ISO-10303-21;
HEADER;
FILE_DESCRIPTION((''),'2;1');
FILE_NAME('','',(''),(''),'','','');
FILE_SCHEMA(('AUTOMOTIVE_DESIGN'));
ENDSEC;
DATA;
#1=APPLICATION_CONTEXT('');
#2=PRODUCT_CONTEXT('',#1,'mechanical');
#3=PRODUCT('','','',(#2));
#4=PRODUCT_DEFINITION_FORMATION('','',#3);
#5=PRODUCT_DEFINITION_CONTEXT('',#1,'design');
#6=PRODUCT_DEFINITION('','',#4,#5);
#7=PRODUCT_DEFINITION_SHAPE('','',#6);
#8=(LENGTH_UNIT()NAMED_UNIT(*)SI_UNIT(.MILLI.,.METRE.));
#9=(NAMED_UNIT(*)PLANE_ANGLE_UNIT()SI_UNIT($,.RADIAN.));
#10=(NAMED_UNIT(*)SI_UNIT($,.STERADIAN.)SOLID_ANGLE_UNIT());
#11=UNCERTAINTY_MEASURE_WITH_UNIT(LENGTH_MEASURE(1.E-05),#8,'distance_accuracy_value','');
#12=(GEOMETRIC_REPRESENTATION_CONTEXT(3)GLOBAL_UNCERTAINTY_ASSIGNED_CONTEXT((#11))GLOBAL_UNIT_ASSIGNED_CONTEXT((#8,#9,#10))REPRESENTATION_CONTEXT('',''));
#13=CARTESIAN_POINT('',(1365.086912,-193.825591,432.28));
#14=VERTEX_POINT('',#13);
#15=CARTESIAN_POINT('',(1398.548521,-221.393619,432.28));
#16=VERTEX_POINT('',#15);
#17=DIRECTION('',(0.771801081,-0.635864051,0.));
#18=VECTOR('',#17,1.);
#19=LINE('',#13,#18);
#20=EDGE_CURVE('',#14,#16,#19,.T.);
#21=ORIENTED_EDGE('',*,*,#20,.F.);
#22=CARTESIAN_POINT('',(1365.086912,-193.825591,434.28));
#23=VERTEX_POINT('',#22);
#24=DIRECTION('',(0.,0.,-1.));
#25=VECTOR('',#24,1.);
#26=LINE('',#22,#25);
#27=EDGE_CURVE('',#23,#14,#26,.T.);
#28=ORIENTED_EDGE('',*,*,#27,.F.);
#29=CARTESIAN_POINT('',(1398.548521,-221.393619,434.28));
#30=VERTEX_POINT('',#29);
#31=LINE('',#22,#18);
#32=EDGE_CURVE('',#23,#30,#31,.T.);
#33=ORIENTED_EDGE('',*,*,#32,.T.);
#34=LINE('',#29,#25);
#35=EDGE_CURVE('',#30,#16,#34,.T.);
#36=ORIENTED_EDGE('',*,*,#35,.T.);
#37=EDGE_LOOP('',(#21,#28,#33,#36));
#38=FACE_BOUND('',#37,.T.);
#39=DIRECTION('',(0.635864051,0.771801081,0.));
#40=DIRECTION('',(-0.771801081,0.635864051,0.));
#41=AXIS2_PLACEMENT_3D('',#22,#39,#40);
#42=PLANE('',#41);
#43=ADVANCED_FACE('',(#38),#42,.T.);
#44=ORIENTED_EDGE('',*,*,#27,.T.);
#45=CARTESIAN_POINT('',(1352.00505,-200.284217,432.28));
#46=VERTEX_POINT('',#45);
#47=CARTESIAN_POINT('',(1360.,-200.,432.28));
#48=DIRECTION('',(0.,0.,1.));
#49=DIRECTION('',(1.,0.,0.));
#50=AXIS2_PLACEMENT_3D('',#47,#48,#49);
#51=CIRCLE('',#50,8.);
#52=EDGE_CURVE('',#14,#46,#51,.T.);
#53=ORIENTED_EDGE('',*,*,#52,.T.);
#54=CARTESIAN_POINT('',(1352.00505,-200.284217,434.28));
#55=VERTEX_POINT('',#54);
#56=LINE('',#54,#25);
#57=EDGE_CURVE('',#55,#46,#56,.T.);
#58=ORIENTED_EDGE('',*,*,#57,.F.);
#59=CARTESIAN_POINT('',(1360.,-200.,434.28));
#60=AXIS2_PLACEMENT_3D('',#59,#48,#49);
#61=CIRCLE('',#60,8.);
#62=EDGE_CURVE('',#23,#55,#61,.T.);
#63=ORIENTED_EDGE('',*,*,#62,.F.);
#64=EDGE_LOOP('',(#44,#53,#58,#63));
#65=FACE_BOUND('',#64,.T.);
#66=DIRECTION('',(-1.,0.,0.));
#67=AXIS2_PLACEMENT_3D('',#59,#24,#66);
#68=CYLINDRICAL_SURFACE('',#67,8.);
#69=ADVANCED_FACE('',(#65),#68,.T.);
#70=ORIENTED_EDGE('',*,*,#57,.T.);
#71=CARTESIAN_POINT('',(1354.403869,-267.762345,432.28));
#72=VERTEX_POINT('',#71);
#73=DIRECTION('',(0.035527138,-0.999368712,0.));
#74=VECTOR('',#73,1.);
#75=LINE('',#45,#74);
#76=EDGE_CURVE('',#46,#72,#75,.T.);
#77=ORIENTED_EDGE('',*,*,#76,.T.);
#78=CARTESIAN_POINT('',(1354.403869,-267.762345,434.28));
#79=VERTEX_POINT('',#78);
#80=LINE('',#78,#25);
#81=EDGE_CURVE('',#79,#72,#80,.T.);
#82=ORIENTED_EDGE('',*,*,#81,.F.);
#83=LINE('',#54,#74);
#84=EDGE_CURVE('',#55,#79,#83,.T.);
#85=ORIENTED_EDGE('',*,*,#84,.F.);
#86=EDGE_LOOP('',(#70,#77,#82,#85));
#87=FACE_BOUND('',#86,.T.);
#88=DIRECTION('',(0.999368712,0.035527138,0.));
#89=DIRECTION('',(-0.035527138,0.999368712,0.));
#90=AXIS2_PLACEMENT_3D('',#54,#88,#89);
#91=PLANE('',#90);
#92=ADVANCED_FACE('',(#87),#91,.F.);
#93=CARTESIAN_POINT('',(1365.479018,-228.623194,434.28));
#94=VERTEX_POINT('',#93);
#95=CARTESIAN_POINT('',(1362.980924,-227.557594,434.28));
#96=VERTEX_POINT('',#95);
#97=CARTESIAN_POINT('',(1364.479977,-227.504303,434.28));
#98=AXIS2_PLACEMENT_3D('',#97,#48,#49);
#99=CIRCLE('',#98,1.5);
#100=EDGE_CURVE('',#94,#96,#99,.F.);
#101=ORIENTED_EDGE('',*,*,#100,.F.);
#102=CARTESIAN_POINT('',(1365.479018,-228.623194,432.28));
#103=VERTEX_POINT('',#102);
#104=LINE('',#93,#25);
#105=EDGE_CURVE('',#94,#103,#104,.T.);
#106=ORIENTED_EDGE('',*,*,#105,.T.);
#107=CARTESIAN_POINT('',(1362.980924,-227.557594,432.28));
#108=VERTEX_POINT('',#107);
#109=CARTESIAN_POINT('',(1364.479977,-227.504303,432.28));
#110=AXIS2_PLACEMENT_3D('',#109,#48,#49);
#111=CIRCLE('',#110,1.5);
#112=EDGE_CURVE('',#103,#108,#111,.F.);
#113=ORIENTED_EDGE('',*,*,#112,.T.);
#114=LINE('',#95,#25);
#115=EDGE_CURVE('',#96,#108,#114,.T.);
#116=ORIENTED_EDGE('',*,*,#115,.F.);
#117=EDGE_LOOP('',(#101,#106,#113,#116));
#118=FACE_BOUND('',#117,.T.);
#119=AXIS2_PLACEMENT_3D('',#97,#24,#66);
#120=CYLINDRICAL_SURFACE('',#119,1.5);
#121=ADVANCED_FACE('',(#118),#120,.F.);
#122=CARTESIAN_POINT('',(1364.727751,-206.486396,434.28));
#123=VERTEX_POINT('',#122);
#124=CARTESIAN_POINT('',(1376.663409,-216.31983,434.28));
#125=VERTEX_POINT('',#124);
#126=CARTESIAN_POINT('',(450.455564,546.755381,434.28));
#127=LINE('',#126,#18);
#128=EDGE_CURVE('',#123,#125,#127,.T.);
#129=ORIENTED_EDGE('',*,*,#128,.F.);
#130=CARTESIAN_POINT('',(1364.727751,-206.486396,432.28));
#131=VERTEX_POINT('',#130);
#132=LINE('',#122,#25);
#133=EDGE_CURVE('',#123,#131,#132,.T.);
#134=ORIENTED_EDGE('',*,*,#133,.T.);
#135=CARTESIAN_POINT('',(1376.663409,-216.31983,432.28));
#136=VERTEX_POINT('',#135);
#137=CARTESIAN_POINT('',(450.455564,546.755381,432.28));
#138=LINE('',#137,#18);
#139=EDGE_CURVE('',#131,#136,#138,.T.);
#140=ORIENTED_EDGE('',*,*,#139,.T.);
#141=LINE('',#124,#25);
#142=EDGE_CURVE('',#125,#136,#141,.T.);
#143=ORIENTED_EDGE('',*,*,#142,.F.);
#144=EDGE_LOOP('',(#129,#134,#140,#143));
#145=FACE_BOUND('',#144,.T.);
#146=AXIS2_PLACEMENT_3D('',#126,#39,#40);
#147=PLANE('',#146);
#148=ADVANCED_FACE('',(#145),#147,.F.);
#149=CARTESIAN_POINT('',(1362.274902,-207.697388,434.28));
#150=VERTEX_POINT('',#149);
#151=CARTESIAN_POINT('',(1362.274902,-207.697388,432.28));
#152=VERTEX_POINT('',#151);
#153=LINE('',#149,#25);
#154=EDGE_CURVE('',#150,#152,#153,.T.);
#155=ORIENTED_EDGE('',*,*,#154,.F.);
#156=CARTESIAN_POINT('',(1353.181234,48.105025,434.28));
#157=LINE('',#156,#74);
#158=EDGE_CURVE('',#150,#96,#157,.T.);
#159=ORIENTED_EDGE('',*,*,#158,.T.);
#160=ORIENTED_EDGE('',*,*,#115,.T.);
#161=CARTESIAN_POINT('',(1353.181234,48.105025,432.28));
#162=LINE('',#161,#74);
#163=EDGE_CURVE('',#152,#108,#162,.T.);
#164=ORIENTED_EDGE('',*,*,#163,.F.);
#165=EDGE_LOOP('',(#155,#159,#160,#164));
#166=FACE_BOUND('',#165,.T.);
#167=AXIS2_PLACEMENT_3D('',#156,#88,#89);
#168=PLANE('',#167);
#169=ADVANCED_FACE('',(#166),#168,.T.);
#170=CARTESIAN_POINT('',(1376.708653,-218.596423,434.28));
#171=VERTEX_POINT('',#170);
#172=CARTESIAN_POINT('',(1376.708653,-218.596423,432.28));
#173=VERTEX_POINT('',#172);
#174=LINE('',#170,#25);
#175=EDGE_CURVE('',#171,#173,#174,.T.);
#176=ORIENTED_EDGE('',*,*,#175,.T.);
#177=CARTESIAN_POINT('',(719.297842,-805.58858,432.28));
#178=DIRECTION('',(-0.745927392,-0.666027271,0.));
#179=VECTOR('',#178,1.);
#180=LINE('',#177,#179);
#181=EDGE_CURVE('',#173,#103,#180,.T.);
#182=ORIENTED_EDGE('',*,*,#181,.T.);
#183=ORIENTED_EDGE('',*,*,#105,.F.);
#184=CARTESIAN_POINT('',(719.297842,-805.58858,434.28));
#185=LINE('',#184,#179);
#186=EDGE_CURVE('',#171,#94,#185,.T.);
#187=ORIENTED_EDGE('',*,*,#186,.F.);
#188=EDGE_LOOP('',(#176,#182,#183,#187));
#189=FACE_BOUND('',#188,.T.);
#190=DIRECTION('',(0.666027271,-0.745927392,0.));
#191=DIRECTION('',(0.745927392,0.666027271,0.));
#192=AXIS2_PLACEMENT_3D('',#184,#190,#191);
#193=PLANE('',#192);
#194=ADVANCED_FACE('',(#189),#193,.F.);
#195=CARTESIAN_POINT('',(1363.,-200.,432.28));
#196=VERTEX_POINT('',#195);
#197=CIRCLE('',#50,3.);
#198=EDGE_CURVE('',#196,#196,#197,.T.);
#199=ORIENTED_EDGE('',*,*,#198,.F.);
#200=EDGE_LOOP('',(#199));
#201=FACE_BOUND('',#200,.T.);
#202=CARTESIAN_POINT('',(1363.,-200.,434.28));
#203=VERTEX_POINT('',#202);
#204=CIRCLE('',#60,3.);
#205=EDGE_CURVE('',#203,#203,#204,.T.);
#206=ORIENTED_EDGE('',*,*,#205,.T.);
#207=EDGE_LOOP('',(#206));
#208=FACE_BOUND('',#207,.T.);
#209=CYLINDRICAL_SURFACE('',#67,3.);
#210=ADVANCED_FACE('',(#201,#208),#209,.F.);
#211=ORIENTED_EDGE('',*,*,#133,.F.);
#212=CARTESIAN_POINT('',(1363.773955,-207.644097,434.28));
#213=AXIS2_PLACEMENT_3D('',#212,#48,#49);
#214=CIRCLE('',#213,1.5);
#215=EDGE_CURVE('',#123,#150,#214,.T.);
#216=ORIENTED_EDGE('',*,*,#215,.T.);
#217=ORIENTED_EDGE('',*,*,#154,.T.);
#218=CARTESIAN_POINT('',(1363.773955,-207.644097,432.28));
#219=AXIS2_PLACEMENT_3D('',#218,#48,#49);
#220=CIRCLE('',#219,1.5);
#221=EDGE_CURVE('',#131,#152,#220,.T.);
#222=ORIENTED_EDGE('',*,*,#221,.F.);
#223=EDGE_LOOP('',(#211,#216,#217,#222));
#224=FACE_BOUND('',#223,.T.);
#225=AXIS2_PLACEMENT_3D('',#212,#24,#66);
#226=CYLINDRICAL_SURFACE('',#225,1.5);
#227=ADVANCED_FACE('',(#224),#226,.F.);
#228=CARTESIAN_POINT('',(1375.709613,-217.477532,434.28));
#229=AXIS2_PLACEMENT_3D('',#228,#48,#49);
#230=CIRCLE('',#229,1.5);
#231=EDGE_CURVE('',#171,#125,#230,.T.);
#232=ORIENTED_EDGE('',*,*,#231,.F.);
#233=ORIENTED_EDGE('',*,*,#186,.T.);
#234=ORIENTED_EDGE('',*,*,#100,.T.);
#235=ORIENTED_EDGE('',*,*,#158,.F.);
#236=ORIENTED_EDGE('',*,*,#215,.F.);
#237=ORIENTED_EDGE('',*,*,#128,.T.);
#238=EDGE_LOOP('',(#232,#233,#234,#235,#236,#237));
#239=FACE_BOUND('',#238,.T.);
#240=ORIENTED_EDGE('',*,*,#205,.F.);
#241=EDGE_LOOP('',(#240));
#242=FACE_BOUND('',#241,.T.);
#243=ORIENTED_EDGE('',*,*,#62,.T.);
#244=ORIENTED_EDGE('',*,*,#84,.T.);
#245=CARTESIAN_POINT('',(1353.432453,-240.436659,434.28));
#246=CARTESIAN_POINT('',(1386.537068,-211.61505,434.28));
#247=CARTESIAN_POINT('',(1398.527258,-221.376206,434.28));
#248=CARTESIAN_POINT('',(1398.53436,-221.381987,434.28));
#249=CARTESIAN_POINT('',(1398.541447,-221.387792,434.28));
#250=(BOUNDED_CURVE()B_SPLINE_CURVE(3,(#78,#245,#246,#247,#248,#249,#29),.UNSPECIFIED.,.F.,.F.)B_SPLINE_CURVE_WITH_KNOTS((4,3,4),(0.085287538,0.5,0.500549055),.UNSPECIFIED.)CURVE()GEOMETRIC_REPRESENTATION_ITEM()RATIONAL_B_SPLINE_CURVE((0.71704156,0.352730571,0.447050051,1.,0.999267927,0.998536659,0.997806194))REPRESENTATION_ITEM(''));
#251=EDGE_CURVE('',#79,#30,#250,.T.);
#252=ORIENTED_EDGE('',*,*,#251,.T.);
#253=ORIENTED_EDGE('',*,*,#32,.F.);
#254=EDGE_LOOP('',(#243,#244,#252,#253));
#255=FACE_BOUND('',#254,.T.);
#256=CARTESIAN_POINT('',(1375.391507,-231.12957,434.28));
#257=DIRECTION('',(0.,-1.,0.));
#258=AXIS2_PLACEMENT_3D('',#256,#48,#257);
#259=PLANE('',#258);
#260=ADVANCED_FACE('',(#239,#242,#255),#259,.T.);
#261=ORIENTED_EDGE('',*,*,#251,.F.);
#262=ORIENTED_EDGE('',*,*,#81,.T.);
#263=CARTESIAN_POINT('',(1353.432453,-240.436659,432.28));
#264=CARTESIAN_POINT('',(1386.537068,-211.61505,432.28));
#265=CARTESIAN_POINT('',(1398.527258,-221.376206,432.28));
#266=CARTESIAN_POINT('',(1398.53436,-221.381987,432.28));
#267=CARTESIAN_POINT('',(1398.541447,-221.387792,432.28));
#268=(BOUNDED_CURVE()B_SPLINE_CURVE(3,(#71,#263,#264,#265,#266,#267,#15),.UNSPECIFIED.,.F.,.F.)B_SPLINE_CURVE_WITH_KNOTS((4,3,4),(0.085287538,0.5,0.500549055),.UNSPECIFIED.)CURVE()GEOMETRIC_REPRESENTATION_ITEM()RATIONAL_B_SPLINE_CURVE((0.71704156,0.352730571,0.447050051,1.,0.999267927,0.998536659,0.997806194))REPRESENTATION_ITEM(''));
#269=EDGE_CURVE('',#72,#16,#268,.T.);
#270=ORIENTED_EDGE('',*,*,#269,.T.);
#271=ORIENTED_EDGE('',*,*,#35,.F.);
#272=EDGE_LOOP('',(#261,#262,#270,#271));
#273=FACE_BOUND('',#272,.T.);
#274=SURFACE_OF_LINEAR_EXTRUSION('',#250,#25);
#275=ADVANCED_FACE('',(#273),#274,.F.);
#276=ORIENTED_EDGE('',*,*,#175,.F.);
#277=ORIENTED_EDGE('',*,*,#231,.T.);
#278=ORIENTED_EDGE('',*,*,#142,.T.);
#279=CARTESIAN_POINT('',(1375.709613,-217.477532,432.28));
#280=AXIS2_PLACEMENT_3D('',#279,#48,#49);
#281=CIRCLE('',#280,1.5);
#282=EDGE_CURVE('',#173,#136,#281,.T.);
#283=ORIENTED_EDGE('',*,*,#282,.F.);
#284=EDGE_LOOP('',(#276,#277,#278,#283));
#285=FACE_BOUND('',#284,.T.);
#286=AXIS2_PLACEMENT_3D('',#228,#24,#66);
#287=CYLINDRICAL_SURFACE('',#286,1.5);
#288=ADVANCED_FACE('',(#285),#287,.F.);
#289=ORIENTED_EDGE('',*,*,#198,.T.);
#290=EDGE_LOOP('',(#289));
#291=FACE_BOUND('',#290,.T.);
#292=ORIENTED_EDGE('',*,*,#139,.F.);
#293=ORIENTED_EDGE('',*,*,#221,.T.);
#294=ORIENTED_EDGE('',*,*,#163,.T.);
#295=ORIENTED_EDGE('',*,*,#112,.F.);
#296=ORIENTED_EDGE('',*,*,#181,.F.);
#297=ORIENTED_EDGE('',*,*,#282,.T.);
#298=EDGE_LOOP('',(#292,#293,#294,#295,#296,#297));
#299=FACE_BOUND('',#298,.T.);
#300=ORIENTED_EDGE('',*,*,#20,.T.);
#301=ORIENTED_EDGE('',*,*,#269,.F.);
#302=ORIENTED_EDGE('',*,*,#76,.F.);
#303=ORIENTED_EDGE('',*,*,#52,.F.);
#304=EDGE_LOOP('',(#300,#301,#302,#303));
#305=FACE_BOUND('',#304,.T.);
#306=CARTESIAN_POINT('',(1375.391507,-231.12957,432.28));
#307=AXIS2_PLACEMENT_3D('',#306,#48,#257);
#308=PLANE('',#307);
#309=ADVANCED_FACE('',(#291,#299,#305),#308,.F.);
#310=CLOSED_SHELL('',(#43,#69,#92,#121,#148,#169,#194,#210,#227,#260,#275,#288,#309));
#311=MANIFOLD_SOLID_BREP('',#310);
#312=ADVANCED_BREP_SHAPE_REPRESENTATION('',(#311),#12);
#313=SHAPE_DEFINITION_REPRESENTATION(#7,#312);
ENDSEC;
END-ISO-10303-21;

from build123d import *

# Parameters (mm, degrees)
SZKIC1_R                    = 3
DODANIE_WYCI_GNI_CIE1_DEPTH = 2


with BuildPart() as part:
    # Szkic1 → Dodanie-wyciągnięcie1 (new body)
    with BuildSketch(Plane.XY.offset(432.28)):
        with BuildLine():
            Line((1352.005050304, -200.284217104), (1354.40386943, -267.762345401))
            add(Edge.make_bspline(
                [(1354.40386943, -267.762345401), (1353.432452758, -240.436659155), (1386.537067568, -211.615049683), (1398.527258098, -221.376205912), (1398.534359902, -221.381987456), (1398.541447396, -221.387791883), (1398.548520531, -221.39361923)],
                knots=[0.085287538, 0.085287538, 0.085287538, 0.085287538, 0.5, 0.5, 0.5, 0.500549055, 0.500549055, 0.500549055, 0.500549055], degree=3, weights=[0.71704156, 0.352730571, 0.447050051, 1, 0.999267927, 0.998536659, 0.997806194]))
            Line((1398.548520531, -221.39361923), (1365.086912411, -193.825591355))
            ThreePointArc((1365.086912411, -193.825591355), (1356.458442171, -192.82662087), (1352.005050304, -200.284217104))
        make_face()
        with Locations((1360, -200)):
            Circle(SZKIC1_R, mode=Mode.SUBTRACT)
        with BuildLine():
            Line((1364.727751429, -206.486395657), (1376.663408593, -216.319830088))
            ThreePointArc((1376.663408593, -216.319830088), (1377.209316374, -217.447726709), (1376.708653422, -218.596422797))
            Line((1376.708653422, -218.596422797), (1365.479018228, -228.62319398))
            ThreePointArc((1365.479018228, -228.62319398), (1363.891437533, -228.884020586), (1362.980924254, -227.557593599))
            Line((1362.980924254, -227.557593599), (1362.274902284, -207.697387985))
            ThreePointArc((1362.274902284, -207.697387985), (1363.109913259, -206.299088691), (1364.727751429, -206.486395657))
        make_face(mode=Mode.SUBTRACT)
    extrude(amount=DODANIE_WYCI_GNI_CIE1_DEPTH)


solid = part.part
